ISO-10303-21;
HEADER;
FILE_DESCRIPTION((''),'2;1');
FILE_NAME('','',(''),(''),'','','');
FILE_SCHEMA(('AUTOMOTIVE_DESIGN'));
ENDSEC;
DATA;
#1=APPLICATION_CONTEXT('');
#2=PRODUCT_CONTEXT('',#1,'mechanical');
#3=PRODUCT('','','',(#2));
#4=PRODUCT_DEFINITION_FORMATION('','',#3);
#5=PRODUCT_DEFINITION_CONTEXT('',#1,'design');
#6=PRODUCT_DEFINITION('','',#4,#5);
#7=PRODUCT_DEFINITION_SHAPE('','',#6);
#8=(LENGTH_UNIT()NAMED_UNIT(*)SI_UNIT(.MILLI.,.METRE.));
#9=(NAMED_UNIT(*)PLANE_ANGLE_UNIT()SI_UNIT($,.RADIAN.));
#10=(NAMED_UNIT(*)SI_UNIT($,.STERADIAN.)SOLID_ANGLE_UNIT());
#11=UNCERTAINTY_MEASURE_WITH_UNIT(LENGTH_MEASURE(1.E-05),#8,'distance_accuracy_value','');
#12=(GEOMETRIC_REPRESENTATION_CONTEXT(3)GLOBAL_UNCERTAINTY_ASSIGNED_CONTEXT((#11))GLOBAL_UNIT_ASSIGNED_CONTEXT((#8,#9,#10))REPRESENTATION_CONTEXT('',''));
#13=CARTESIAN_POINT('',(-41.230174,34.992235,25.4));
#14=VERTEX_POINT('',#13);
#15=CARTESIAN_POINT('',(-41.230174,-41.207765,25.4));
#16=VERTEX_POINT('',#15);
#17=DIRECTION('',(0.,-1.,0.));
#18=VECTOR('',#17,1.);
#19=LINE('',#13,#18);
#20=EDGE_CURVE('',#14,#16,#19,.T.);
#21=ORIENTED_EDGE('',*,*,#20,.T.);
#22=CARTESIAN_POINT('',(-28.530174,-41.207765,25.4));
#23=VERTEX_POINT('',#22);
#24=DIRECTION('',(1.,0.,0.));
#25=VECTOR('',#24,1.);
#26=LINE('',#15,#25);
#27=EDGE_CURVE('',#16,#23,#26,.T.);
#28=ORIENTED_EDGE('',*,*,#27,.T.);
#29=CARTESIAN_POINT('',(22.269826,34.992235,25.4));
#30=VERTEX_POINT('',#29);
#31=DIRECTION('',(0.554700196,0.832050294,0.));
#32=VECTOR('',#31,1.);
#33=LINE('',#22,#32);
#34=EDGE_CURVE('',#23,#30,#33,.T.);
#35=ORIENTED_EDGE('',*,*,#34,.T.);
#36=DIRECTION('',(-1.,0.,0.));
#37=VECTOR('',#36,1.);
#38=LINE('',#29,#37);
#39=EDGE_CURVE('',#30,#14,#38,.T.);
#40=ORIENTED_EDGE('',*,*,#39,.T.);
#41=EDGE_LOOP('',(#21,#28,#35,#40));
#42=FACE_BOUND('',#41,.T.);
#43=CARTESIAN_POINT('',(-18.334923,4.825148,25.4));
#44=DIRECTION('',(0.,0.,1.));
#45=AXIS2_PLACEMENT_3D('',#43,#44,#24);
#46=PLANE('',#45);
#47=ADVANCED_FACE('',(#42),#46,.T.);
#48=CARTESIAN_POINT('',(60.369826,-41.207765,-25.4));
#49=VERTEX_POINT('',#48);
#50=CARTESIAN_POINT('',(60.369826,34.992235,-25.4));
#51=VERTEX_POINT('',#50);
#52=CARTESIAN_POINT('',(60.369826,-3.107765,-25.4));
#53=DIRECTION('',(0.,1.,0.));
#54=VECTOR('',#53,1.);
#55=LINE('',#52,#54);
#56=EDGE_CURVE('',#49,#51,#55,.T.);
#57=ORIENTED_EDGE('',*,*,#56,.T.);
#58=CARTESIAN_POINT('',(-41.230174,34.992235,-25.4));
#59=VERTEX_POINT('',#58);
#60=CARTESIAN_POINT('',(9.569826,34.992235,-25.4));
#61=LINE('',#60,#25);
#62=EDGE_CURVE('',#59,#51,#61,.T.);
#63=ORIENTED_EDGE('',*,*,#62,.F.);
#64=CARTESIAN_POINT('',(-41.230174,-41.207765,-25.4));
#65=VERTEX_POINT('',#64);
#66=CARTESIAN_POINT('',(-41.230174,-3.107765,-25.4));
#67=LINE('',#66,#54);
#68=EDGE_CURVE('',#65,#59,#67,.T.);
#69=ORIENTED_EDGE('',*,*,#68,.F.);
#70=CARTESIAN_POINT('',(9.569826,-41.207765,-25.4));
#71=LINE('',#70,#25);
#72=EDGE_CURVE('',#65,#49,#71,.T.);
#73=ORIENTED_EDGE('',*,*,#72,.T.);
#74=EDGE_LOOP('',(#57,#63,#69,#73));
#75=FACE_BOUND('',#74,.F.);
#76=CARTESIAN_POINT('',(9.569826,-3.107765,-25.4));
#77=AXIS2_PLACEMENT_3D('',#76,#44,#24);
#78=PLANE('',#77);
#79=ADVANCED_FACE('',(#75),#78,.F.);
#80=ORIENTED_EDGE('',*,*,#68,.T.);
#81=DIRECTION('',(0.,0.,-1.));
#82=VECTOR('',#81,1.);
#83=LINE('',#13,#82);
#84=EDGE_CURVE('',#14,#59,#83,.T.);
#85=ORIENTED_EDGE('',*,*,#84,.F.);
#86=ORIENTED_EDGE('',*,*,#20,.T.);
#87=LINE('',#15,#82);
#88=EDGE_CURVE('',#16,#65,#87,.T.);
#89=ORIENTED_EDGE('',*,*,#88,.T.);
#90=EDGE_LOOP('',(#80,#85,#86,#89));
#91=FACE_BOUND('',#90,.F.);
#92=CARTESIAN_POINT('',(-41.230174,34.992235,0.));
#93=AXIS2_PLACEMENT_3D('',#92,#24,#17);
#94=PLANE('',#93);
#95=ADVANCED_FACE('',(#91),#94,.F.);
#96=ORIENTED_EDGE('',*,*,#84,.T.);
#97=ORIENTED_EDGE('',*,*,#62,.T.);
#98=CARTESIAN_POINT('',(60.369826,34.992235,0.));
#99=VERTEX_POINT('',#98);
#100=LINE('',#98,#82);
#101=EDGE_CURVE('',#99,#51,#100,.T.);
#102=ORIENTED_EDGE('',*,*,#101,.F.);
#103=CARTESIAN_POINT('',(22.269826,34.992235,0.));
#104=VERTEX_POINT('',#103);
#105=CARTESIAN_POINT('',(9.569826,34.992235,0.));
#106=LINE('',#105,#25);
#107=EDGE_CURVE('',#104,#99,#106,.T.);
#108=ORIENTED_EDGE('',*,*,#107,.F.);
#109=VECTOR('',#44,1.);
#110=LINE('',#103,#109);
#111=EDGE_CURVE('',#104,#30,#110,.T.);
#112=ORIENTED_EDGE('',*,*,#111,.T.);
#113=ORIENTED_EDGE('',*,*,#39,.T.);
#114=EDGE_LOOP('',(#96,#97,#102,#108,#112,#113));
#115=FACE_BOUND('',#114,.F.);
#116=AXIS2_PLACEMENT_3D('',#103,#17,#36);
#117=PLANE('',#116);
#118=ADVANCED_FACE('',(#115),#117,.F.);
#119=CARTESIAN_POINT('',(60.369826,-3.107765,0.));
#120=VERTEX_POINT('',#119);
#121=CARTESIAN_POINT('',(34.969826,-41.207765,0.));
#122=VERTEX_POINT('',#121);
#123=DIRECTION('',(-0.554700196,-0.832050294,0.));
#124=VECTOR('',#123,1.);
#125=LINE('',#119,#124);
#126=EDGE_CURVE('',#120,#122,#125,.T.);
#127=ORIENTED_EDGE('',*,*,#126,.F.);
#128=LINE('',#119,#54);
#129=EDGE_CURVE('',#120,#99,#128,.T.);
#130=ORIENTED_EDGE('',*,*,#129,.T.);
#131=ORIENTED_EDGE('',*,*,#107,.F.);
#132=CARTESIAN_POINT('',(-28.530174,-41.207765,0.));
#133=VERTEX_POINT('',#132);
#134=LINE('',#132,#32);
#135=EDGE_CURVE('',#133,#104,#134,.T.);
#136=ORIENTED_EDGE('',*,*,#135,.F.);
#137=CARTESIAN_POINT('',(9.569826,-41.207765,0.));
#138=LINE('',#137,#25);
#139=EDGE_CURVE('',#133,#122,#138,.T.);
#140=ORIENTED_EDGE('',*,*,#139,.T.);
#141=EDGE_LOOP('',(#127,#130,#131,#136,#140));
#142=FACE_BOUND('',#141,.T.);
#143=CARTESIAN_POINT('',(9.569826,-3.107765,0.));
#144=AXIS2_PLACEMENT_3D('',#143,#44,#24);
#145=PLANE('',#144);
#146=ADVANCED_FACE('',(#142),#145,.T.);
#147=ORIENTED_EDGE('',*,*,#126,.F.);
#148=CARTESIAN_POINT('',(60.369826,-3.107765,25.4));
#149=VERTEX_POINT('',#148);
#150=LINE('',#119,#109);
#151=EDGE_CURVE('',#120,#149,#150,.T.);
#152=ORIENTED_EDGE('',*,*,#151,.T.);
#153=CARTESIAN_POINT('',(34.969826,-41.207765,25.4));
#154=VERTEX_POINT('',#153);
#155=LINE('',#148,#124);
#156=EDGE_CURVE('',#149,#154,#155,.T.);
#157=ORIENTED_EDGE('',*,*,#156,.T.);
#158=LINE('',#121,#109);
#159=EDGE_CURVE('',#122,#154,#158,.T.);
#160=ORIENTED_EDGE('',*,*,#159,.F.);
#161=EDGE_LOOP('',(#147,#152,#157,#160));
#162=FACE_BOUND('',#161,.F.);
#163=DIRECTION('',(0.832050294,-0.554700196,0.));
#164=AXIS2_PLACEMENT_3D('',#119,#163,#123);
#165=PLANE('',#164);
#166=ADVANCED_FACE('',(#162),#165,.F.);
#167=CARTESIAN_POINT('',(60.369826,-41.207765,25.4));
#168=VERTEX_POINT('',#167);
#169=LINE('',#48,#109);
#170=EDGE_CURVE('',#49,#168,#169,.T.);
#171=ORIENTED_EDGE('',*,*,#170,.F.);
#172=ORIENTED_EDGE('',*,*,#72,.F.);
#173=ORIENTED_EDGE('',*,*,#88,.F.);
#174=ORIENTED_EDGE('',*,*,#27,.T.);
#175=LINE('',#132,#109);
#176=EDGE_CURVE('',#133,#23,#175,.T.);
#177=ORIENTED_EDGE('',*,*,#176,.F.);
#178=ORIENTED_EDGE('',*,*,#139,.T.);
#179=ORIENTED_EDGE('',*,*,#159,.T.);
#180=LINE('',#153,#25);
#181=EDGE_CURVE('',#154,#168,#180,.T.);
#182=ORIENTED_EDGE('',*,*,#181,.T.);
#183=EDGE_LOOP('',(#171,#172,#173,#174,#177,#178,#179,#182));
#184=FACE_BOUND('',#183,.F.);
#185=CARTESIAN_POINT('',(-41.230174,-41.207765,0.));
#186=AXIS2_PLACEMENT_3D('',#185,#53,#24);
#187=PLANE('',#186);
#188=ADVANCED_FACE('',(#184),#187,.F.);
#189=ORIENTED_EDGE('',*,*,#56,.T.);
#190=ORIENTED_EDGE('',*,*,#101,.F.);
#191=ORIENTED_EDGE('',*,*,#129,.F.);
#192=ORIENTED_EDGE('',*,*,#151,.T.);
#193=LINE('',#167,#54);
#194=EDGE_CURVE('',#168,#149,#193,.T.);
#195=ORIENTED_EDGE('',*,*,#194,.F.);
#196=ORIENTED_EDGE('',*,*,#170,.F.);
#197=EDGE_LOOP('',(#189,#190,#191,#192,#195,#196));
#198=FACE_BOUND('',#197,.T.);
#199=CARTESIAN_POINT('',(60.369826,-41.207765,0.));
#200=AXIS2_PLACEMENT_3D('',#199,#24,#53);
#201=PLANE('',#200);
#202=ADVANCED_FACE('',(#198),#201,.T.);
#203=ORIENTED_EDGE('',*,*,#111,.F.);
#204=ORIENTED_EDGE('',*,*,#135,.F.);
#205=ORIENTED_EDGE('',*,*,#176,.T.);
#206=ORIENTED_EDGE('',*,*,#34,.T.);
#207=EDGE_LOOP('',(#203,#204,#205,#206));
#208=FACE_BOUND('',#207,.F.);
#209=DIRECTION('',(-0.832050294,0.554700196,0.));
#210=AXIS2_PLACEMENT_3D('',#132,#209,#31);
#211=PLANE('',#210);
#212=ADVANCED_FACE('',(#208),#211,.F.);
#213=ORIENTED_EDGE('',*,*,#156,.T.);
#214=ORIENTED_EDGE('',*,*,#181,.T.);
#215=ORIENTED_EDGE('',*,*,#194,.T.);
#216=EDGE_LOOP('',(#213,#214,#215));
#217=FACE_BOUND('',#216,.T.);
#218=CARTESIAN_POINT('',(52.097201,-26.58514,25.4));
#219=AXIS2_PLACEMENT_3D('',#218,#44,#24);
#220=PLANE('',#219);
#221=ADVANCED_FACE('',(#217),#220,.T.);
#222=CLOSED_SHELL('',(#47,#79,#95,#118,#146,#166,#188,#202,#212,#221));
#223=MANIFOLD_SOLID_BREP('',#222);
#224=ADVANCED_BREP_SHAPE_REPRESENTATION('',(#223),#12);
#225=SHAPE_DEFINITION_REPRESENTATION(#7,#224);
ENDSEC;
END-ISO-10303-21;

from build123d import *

# Parameters (mm, degrees)
F0_W     = 101.6
F0_H     = 76.2
F1_DEPTH = 25.4
F3_DEPTH = 25.4


with BuildPart() as f1:
    # F0 (on Top) → F1 (new body)
    with BuildSketch(Plane.XY):
        with Locations((9.569826, -3.107765)):
            Rectangle(F0_W, F0_H)
    extrude(amount=-F1_DEPTH)

    # F2 (on face) → F3 (join)
    with BuildSketch(Plane.XY):
        Polygon((-41.230174, -41.207765), (-28.530174, -41.207765), (22.269826, 34.992235), (-41.230174, 34.992235), align=None)
        Polygon((34.969826, -41.207765), (60.369826, -41.207765), (60.369826, -3.107765), align=None)
    extrude(amount=F3_DEPTH)


solid = f1.part
